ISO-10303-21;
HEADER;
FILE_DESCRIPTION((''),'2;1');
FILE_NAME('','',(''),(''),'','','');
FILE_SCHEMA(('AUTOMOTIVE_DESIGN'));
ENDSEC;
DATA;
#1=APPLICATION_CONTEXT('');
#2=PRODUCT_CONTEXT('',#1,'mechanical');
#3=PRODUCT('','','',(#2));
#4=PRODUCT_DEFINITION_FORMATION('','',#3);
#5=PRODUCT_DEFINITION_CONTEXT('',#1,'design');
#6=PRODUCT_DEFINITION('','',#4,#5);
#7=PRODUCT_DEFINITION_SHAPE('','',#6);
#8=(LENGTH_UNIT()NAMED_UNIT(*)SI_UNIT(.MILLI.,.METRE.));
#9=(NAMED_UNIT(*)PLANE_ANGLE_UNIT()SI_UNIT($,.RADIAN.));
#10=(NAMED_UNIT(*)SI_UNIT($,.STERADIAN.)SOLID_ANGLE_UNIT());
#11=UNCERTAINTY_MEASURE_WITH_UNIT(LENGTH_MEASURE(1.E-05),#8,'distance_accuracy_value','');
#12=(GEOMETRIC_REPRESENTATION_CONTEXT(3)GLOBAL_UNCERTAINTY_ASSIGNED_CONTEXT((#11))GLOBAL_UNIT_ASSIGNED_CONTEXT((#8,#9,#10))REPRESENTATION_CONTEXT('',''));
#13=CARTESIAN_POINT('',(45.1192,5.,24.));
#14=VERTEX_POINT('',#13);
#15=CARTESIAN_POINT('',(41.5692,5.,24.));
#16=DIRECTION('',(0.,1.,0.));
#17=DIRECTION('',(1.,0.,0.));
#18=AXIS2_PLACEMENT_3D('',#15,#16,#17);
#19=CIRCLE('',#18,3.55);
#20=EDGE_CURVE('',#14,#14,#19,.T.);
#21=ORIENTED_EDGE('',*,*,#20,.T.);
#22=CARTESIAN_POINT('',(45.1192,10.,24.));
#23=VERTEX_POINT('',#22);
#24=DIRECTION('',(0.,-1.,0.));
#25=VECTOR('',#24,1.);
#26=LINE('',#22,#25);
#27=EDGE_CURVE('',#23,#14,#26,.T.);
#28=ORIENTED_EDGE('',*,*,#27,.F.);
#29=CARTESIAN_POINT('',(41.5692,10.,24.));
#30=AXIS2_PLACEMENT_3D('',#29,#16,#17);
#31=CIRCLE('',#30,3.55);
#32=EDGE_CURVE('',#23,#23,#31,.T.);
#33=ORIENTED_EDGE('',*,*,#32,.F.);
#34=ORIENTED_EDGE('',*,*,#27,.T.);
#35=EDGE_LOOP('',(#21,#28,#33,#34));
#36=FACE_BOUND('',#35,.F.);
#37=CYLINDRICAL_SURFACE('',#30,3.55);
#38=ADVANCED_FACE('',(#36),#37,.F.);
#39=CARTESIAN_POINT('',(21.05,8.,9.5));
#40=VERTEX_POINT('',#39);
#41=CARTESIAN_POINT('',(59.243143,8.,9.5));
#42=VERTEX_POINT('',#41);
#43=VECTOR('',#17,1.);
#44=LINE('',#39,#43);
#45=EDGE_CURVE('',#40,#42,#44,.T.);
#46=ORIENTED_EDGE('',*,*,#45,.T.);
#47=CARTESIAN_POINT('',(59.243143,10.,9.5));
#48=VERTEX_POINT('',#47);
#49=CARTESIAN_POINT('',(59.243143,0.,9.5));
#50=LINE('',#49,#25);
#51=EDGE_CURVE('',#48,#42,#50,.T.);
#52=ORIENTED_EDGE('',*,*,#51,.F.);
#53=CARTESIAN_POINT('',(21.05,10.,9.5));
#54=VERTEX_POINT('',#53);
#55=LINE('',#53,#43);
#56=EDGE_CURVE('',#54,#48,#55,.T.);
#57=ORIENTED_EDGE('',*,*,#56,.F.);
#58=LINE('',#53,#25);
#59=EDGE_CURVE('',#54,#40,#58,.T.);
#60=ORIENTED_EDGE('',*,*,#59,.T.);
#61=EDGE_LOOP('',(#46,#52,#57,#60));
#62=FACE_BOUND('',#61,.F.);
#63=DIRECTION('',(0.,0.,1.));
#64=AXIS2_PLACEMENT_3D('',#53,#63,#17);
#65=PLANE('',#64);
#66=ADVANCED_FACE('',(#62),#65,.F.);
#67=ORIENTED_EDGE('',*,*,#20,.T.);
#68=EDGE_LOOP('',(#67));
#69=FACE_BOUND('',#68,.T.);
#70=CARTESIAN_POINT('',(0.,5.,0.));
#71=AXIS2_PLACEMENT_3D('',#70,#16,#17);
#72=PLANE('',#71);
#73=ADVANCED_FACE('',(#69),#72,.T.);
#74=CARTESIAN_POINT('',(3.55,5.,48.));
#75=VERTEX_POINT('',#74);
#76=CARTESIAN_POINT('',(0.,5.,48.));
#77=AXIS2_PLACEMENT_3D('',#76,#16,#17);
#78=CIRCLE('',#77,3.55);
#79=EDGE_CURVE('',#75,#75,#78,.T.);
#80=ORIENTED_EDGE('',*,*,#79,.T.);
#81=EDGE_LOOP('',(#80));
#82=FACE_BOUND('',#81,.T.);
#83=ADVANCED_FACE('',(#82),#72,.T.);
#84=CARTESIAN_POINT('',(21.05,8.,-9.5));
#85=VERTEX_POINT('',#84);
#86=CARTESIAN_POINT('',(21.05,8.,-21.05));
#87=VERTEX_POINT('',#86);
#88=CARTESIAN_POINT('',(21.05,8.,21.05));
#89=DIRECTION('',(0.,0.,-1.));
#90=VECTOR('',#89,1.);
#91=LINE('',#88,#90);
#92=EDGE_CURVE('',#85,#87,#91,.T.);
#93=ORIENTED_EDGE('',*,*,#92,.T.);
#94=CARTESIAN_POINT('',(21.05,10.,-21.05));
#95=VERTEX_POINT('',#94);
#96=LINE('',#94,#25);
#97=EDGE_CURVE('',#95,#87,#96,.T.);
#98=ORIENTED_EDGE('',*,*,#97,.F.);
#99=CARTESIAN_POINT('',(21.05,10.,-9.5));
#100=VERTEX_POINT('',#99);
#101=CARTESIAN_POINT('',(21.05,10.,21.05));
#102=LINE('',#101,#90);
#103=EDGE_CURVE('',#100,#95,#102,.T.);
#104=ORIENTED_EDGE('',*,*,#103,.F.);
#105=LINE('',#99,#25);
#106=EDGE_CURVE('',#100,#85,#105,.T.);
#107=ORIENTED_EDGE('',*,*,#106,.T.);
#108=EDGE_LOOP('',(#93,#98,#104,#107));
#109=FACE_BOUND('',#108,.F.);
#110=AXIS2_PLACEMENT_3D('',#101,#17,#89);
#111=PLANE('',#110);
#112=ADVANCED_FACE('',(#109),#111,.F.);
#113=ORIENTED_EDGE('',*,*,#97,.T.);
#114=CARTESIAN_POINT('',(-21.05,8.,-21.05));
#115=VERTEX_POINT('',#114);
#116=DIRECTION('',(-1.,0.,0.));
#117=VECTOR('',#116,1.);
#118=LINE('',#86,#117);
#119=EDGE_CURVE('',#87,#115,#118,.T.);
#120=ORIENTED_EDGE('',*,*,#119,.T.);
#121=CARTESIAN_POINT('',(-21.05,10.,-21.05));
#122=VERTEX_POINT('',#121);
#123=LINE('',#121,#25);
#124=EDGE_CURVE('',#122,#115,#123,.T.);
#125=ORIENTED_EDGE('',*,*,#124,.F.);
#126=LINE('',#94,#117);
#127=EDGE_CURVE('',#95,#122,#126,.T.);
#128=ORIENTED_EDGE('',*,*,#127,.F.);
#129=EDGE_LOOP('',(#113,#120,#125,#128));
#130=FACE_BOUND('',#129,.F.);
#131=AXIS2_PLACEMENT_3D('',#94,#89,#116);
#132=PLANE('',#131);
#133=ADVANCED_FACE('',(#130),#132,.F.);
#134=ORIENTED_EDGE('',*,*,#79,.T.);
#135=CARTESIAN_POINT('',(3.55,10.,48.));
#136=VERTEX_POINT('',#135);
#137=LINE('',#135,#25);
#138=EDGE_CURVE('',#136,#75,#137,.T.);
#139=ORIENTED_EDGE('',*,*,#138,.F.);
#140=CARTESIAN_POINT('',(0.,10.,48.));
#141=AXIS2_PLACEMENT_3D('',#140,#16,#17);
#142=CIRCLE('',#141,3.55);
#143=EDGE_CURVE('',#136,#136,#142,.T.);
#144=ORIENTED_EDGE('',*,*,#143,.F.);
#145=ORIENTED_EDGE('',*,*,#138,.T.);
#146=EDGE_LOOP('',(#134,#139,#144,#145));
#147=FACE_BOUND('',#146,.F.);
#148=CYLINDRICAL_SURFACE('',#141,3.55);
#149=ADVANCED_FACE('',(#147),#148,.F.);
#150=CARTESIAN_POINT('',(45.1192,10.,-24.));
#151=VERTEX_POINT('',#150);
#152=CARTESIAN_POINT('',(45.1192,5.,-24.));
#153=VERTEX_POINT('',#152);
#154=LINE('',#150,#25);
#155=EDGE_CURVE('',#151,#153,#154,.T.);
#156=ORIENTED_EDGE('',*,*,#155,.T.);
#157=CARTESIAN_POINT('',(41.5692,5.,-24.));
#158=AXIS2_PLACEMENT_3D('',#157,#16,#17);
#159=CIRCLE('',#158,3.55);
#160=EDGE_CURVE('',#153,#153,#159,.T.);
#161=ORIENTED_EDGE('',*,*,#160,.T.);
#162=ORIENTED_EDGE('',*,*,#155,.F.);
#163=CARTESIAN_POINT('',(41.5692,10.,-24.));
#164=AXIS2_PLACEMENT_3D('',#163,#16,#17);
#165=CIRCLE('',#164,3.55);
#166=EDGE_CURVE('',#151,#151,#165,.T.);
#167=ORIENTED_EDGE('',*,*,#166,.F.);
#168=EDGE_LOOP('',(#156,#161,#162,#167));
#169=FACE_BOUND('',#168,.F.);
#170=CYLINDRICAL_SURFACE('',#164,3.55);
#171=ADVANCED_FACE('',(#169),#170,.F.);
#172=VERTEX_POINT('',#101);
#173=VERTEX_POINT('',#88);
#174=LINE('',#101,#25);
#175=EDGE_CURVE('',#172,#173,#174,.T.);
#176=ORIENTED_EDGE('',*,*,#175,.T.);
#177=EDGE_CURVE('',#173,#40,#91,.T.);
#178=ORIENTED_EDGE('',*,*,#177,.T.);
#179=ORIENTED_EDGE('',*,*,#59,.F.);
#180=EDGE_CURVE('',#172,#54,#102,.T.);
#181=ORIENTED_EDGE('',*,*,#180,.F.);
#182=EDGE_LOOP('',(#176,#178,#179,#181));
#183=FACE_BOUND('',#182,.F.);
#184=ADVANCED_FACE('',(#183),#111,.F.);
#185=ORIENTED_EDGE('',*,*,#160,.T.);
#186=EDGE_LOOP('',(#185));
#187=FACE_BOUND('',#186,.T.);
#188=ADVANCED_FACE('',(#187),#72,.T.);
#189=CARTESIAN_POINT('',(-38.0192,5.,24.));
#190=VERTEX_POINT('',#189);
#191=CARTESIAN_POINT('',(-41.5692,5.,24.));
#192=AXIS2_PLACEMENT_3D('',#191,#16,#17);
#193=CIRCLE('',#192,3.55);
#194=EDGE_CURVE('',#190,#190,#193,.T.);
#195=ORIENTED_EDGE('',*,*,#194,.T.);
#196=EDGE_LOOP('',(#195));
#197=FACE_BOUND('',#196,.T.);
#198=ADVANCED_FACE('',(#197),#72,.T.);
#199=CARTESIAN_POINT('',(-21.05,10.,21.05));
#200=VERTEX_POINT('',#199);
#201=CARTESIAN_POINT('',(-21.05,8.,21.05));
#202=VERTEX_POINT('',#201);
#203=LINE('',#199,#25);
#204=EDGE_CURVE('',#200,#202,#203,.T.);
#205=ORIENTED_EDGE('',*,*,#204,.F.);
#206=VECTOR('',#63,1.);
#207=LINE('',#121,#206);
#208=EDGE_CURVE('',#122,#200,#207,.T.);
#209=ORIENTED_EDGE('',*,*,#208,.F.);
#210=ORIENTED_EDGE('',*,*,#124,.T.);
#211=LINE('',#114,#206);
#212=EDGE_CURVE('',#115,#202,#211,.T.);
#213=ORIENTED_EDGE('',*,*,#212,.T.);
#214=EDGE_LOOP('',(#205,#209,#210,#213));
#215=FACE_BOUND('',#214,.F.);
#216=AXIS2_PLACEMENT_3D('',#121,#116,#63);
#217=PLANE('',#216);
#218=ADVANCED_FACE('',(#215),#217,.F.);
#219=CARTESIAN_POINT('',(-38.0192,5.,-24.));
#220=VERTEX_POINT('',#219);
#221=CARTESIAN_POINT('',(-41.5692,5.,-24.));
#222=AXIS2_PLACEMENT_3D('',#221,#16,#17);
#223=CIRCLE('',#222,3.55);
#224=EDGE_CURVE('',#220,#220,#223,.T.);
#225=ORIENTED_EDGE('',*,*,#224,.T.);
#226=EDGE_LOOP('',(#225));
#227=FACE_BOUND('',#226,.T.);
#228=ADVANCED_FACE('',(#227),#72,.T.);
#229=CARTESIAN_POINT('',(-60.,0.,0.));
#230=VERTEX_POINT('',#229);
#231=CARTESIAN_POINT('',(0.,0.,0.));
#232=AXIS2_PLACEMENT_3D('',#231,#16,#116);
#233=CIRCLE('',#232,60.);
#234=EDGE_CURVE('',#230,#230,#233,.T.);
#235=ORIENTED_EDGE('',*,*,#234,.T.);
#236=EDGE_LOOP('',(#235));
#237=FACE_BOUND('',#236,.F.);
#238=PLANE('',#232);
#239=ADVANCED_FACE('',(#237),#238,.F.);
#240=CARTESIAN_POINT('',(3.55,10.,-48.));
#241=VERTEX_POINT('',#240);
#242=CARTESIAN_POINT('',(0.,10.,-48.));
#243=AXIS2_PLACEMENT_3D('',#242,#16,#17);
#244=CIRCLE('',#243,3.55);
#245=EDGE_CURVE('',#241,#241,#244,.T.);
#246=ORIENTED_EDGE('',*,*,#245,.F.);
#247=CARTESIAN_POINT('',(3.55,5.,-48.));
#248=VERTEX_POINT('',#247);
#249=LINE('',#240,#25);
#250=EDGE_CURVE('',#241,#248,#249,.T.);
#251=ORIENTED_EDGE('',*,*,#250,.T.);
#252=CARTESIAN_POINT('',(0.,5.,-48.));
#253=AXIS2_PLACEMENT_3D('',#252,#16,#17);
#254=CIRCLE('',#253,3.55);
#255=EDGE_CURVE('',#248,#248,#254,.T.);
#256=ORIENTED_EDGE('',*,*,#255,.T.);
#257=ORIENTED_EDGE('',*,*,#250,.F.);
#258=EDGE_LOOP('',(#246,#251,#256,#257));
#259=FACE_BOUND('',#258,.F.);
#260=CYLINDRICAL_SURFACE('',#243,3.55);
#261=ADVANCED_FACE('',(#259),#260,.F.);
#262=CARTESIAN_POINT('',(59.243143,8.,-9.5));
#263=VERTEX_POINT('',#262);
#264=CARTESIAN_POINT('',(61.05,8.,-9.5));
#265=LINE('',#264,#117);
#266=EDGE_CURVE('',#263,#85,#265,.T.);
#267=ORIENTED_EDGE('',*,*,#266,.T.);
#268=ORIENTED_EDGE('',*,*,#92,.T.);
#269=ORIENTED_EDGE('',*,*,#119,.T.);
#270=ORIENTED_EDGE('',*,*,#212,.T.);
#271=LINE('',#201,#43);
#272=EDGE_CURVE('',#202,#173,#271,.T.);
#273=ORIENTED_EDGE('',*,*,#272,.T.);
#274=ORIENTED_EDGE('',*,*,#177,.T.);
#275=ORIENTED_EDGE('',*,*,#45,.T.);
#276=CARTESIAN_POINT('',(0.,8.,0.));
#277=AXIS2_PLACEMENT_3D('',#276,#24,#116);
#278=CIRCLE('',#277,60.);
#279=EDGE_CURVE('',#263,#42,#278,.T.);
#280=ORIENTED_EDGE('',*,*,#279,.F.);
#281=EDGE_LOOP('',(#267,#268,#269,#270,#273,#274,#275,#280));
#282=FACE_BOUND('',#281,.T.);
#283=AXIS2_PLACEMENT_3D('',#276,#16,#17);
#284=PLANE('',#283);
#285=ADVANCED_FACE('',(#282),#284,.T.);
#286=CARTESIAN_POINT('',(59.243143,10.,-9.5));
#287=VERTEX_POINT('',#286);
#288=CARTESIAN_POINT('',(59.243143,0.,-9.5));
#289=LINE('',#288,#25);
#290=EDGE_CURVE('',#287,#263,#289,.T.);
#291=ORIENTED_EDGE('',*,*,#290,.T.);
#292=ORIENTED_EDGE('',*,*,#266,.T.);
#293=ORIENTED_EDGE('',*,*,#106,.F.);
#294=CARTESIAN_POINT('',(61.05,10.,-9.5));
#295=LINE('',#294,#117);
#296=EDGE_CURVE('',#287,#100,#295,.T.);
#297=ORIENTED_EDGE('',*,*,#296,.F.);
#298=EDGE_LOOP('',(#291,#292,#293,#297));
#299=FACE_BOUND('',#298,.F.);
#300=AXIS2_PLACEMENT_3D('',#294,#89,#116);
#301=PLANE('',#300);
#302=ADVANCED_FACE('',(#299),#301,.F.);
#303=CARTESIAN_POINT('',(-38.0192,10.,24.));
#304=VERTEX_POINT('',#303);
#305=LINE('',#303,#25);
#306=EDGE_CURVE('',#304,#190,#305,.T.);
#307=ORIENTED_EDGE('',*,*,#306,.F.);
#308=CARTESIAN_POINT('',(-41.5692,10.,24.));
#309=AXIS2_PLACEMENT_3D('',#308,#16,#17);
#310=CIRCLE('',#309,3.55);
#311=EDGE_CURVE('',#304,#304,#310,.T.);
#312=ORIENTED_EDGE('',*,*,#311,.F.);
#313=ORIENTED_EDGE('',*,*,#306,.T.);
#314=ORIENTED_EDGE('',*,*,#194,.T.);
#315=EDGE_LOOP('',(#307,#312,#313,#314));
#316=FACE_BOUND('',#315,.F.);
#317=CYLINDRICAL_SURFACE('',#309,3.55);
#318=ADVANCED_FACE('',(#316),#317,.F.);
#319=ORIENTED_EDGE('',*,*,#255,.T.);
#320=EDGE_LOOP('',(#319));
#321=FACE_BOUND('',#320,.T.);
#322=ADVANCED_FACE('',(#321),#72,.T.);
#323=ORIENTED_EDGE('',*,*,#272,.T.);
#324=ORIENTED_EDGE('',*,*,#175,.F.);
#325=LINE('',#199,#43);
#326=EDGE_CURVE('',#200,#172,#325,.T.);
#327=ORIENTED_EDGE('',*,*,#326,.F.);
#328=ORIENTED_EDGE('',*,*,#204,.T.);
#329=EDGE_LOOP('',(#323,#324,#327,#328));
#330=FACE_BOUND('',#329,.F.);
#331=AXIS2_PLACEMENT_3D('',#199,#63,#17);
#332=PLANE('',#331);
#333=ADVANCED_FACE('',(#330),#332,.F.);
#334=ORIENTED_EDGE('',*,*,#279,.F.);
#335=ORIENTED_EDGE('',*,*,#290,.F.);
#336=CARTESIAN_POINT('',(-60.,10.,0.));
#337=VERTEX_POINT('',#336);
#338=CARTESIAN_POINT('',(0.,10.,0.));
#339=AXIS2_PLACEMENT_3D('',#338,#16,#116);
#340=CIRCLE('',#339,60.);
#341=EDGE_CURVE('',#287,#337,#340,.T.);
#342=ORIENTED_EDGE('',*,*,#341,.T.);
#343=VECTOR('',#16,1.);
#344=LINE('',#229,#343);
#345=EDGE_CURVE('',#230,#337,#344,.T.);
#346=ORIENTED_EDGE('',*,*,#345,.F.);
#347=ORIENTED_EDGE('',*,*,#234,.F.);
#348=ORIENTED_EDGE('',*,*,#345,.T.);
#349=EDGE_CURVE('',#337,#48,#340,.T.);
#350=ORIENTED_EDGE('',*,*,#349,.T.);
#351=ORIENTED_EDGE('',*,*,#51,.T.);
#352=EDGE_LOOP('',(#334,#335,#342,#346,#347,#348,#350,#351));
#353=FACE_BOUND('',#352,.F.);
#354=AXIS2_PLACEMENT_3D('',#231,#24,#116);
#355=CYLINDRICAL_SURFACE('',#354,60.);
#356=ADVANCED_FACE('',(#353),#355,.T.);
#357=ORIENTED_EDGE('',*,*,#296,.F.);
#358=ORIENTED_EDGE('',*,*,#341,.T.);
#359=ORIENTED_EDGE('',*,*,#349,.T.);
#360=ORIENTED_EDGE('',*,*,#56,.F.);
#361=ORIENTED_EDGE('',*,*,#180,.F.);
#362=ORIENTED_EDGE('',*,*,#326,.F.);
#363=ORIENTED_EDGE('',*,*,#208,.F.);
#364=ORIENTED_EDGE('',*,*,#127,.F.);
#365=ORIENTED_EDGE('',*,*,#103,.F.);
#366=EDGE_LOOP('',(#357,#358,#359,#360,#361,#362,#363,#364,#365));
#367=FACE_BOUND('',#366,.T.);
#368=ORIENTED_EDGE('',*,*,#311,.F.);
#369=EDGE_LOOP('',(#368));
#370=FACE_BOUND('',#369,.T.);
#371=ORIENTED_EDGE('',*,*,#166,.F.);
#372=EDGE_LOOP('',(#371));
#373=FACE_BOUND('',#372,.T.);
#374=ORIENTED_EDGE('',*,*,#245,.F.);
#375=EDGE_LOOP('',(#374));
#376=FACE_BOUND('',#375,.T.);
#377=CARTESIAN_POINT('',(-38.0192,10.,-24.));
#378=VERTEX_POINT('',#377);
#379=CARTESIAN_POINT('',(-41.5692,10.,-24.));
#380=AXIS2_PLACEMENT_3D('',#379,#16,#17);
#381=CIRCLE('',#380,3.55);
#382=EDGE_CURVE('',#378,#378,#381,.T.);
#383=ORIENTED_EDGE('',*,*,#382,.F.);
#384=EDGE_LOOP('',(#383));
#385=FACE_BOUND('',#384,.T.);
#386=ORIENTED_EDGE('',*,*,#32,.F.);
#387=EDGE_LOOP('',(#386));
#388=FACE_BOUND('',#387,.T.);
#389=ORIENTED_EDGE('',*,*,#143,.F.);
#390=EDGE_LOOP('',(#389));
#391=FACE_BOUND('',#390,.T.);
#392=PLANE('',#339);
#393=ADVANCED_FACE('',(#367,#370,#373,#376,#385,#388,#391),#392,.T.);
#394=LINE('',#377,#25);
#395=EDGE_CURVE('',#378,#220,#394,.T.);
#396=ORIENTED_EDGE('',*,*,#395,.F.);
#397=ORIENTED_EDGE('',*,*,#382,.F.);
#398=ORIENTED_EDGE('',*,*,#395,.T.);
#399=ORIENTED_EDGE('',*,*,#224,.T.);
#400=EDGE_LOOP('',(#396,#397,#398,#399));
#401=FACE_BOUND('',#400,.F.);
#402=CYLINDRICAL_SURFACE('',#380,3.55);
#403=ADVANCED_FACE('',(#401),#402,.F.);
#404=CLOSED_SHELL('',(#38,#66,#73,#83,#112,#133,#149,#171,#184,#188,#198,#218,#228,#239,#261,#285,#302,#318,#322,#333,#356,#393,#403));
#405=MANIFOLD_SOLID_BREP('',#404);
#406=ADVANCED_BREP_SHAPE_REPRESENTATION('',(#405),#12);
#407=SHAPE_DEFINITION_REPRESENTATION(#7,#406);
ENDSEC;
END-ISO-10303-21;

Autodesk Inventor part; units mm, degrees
ref_plane "YZ Plane" through (0, 0, 0) normal (1, 0, 0) x (0, 1, 0)
ref_plane "XZ Plane" through (0, 0, 0) normal (0, 1, 0) x (-1, 0, 0)
ref_plane "XY Plane" through (0, 0, 0) normal (0, 0, 1) x (1, 0, 0)
sketch "Szkic1" plane through (0, 0, 0) normal (0, 1, 0) x (-1, 0, 0)
  circle A0 centre (0, 0) radius 60
  dimension "d0" = 120
extrude "Wyciągnięcie proste1" add sketch "Szkic1" along normal blind 10
sketch "Szkic2" plane through (0, 10, 0) normal (0, 1, 0) x (1, 0, 0)
  circle A0 centre (0, 48) radius 3.55
  circle A1 centre (-41.5692, 24) radius 3.55
  circle A2 centre (-41.5692, -24) radius 3.55
  circle A3 centre (0, -48) radius 3.55
  circle A4 centre (41.5692, -24) radius 3.55
  circle A5 centre (41.5692, 24) radius 3.55
  point P0 (0, 0)
  dimension "d13" = 7.1
  dimension "d16" = 360
  dimension "d20" = 48
extrude "Wyciągnięcie proste2" cut sketch "Szkic2" against normal blind 5
sketch "Szkic3" plane through (0, 10, 0) normal (0, 1, 0) x (1, 0, 0)
  line L0 (-21.05, -21.05) -> (21.05, -21.05)
  line L1 (21.05, -21.05) -> (21.05, 21.05)
  line L2 (21.05, 21.05) -> (-21.05, 21.05)
  line L3 (-21.05, 21.05) -> (-21.05, -21.05)
  line L4 (-21.05, -21.05) -> (21.05, 21.05)
  line L5 (-21.05, 21.05) -> (21.05, -21.05)
  point P0 (0, 0)
  point P1 (0, 0)
  dimension "d21" = 42.1
  dimension "d22" = 42.1
extrude "Wyciągnięcie proste3" cut sketch "Szkic3" against normal blind 2
sketch "Szkic4" plane through (0, 10, 0) normal (0, 1, 0) x (1, 0, 0)
  line L0 (21.05, 21.05) -> (21.05, -21.05) projected
  line L1 (21.05, -9.5) -> (61.05, -9.5)
  line L2 (61.05, -9.5) -> (61.05, 9.5)
  line L3 (61.05, 9.5) -> (21.05, 9.5)
  line L4 (21.05, 9.5) -> (21.05, -9.5)
  point P0 (0, 0)
  point P1 (21.05, 0)
  dimension "d25" = 19
  dimension "d26" = 40
extrude "Wyciągnięcie proste4" cut sketch "Szkic4" against normal blind 2
properties part number "Base1"
